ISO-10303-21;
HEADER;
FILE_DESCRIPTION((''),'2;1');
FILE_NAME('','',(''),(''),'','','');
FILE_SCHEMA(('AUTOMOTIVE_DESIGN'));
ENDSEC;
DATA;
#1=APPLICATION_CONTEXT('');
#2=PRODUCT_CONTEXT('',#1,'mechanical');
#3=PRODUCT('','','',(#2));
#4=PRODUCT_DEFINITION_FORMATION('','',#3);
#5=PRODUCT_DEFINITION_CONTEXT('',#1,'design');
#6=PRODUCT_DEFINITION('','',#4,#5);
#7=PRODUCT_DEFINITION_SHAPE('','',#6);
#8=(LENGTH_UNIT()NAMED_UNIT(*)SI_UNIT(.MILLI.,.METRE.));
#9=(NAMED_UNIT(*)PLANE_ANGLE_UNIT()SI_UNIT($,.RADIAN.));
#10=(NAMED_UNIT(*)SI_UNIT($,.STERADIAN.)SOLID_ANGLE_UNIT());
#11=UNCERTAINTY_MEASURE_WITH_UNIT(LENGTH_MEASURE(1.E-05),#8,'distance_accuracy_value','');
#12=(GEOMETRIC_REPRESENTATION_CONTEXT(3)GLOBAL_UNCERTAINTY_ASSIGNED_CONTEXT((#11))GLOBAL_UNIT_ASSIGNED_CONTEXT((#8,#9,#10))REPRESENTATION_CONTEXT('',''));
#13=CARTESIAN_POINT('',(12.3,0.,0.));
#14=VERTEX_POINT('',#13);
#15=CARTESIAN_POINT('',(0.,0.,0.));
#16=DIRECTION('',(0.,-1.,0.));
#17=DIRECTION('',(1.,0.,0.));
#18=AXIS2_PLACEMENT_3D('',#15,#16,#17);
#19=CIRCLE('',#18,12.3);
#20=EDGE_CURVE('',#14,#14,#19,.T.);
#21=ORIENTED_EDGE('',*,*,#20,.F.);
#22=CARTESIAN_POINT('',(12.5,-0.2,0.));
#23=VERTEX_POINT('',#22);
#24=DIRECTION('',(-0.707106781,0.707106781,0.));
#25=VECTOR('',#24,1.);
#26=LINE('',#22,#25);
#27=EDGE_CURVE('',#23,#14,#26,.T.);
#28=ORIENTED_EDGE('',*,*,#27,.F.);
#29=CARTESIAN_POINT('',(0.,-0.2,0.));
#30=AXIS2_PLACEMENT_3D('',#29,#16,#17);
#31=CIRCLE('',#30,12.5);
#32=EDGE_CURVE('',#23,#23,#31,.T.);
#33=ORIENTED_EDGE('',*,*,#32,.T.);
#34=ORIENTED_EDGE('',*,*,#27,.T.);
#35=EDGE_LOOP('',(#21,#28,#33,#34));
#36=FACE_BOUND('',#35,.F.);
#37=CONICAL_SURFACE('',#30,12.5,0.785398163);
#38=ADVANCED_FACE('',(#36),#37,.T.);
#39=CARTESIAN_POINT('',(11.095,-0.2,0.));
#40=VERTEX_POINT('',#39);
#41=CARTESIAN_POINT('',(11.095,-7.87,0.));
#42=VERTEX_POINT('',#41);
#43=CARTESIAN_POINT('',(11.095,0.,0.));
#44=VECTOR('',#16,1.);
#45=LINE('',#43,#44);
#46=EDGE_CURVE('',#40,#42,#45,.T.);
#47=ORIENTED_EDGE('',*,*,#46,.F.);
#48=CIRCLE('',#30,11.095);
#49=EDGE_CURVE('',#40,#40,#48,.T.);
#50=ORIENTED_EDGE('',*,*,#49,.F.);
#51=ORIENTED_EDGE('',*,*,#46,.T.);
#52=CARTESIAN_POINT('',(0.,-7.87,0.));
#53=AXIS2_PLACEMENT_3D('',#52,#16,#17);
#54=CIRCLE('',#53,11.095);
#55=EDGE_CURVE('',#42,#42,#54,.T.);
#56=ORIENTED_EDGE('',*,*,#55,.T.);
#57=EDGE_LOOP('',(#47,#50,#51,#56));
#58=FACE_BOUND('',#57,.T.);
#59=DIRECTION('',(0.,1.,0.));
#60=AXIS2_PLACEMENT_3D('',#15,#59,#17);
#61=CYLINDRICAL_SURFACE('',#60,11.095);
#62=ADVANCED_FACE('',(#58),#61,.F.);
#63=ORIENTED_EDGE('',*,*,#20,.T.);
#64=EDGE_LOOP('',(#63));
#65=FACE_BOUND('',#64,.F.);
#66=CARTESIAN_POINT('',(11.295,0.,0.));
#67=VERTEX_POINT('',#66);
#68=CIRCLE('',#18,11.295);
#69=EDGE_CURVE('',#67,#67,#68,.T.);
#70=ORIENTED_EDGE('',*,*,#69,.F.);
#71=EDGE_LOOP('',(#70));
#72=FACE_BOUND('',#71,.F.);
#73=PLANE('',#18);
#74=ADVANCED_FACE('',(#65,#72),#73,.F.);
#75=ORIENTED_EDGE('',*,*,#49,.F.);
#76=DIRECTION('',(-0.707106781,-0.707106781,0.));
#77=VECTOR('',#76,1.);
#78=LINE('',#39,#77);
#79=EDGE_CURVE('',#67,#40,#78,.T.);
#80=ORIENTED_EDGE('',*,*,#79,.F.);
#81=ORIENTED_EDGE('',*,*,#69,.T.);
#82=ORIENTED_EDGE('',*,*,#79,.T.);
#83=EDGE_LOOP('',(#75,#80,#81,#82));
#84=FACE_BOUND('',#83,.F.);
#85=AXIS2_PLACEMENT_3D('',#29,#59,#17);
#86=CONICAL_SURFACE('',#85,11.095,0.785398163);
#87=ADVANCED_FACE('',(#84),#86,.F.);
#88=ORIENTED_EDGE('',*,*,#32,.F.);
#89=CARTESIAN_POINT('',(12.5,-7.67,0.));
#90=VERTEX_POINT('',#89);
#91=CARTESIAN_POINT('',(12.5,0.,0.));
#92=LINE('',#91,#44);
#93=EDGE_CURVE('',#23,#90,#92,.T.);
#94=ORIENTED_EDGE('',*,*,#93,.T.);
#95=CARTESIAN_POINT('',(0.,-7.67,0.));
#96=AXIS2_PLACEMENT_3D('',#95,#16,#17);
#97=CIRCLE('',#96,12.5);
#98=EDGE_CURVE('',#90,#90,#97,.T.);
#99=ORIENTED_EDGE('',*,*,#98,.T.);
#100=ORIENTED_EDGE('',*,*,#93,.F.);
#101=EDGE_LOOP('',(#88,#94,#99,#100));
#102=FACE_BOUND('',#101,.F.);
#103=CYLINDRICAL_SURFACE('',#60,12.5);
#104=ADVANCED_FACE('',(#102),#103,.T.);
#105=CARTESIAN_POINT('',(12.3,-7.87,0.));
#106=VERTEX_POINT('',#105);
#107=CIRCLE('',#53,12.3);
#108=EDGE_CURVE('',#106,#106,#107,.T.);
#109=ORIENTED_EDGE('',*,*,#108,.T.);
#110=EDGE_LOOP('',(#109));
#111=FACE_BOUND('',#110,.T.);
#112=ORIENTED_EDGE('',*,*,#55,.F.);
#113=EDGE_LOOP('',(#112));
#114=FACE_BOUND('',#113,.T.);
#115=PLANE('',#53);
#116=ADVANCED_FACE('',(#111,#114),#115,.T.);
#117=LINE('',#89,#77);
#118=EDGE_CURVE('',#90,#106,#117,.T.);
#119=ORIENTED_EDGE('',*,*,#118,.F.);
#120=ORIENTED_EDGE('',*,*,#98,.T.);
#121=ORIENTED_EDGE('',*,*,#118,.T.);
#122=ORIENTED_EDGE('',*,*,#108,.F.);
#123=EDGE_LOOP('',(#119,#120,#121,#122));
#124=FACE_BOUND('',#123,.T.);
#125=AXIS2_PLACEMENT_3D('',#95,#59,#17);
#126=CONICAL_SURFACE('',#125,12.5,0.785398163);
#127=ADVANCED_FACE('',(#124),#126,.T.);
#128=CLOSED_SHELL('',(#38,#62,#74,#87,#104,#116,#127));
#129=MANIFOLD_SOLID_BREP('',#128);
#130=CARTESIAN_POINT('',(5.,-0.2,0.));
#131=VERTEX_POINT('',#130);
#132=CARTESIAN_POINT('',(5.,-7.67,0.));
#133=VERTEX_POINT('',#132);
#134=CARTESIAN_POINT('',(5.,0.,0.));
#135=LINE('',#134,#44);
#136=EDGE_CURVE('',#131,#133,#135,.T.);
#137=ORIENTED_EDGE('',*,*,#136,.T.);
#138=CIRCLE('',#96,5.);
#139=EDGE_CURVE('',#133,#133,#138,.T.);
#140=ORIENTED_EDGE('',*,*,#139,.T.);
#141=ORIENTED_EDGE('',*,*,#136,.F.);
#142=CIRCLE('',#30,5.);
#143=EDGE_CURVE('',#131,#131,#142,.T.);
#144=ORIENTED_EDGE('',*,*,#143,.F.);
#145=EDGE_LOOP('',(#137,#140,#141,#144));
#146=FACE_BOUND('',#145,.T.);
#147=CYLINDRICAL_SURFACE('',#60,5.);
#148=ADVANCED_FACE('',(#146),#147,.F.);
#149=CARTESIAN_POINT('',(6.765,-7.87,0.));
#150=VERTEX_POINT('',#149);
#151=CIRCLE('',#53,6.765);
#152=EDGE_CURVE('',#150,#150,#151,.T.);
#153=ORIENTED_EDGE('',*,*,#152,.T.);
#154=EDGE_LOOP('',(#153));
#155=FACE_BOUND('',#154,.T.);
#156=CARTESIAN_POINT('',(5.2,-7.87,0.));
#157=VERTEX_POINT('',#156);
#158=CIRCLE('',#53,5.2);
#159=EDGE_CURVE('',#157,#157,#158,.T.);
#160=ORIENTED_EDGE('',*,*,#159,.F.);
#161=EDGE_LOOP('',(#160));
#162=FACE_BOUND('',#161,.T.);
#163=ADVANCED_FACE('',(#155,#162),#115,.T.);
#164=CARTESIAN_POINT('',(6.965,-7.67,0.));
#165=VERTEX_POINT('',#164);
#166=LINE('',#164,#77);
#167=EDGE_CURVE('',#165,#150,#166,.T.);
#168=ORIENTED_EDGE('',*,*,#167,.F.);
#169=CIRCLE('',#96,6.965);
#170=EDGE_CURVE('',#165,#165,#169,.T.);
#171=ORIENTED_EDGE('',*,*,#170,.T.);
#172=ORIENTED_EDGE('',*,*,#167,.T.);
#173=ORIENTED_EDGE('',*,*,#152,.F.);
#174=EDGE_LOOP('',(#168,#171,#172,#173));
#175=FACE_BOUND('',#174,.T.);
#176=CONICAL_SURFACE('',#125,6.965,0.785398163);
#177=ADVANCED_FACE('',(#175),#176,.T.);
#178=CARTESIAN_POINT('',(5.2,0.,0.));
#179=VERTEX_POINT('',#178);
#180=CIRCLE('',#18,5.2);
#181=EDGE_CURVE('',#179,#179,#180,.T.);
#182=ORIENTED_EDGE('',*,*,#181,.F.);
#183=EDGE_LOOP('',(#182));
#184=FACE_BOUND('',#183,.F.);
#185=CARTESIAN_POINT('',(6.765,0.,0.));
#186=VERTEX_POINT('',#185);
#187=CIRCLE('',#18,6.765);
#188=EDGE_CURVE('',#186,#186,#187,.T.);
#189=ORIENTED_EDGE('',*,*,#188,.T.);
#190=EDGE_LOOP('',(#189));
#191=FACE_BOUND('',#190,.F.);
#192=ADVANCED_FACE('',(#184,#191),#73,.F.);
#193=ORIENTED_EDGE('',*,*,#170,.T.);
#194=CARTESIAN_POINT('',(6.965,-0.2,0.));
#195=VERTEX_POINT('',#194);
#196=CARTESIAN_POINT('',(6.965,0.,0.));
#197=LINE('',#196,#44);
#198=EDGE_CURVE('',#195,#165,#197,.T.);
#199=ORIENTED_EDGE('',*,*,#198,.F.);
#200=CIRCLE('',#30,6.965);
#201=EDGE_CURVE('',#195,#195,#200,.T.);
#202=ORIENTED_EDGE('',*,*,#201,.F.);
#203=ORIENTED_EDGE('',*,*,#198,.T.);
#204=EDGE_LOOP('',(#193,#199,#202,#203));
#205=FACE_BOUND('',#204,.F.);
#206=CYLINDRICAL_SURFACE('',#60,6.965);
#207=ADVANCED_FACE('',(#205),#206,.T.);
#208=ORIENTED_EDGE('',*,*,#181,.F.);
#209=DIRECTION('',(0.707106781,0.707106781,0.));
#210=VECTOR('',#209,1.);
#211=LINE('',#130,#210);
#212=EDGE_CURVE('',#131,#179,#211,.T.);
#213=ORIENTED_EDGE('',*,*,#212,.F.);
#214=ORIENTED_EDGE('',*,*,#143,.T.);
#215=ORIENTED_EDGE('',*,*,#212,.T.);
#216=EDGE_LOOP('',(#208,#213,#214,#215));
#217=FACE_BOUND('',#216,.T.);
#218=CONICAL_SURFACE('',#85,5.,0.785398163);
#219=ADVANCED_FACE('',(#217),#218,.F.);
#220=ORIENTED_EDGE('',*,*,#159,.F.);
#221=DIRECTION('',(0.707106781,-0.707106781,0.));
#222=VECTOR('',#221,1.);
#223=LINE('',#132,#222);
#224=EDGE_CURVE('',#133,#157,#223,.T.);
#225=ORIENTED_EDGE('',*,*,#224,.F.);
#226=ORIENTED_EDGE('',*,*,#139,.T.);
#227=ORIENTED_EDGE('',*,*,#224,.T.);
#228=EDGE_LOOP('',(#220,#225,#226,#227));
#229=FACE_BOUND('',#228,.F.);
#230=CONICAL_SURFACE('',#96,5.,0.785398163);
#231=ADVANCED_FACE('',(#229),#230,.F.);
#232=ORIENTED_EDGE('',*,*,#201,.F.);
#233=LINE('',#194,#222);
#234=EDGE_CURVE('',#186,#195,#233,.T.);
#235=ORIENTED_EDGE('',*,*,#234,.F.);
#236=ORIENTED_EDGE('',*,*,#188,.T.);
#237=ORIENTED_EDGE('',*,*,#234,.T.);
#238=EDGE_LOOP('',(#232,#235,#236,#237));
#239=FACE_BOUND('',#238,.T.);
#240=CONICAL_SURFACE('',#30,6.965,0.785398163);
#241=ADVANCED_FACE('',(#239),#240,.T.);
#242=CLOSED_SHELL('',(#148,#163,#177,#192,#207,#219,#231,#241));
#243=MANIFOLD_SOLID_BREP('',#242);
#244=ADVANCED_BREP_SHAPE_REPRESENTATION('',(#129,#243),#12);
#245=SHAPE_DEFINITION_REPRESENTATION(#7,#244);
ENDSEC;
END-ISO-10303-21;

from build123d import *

# Parameters (mm, degrees)
F0_R     = 12.5
F0_R_2   = 11.095
F0_R_3   = 6.965
F0_R_4   = 5
F1_DEPTH = 7.87
F2_SIZE  = 0.2
F3_SIZE  = 0.2
F4_SIZE  = 0.2
F5_SIZE  = 0.2
F6_SIZE  = 0.2


with BuildPart() as f1:
    # F0 (on Front) → F1 (new body)
    with BuildSketch(Plane.XZ):
        Circle(F0_R)
        Circle(F0_R_2, mode=Mode.SUBTRACT)
        Circle(F0_R_3)
        Circle(F0_R_4, mode=Mode.SUBTRACT)
    extrude(amount=F1_DEPTH)

    # F2
    f2_edges = [f1.edges().sort_by_distance(p)[0] for p in [
        (-5, -7.87, 0),
    ]]
    chamfer(f2_edges, length=F2_SIZE)

    # F3
    f3_edges = [f1.edges().sort_by_distance(p)[0] for p in [
        (-5, 0, 0),
    ]]
    chamfer(f3_edges, length=F3_SIZE)

    # F4
    f4_edges = [f1.edges().sort_by_distance(p)[0] for p in [
        (-12.5, -7.87, 0),
        (-12.5, 0, 0),
    ]]
    chamfer(f4_edges, length=F4_SIZE)

    # F5
    f5_edges = [f1.edges().sort_by_distance(p)[0] for p in [
        (-11.095, 0, 0),
        (-6.965, 0, 0),
    ]]
    chamfer(f5_edges, length=F5_SIZE)

    # F6
    f6_edges = [f1.edges().sort_by_distance(p)[0] for p in [
        (-6.965, -7.87, 0),
    ]]
    chamfer(f6_edges, length=F6_SIZE)


solid = f1.part
